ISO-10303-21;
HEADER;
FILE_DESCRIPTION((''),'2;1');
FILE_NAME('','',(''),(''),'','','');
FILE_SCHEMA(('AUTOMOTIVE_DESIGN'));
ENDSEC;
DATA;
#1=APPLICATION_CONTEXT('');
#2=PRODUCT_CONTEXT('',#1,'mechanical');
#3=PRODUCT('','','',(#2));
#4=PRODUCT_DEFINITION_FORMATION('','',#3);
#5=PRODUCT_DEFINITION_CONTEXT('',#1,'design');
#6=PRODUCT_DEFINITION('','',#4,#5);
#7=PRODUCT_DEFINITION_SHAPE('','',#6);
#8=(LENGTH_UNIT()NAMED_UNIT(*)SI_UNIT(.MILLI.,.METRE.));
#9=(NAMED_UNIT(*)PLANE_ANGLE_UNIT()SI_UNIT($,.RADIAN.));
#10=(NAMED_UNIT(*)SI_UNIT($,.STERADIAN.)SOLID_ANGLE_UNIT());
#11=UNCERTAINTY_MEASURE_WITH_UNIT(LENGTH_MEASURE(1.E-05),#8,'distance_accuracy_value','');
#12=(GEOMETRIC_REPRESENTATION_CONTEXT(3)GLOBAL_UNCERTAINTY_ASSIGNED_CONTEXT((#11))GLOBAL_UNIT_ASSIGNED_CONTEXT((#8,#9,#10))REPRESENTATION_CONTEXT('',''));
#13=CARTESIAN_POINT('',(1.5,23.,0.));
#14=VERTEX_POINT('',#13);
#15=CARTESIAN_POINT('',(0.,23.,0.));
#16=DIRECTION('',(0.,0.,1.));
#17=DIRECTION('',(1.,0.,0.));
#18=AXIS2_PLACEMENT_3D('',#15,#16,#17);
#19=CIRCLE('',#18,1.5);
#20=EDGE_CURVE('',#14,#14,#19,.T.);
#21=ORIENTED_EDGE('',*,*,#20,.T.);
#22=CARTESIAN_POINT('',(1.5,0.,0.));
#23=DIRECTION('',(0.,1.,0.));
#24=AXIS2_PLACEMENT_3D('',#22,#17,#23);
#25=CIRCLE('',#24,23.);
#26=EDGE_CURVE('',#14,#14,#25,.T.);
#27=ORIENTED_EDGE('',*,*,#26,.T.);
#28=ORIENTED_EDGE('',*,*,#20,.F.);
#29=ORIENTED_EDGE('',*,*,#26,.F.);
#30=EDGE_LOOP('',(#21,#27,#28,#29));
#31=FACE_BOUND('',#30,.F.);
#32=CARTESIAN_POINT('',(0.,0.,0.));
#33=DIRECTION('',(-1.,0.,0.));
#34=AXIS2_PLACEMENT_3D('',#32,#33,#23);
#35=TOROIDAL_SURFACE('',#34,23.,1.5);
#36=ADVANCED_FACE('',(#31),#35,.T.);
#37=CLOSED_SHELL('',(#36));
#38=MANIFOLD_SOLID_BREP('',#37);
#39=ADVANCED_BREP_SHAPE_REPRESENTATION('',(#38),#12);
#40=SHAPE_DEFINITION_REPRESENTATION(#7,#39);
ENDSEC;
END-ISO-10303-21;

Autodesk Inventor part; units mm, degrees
ref_plane "YZ Plane" through (0, 0, 0) normal (1, 0, 0) x (0, 1, 0)
ref_plane "XZ Plane" through (0, 0, 0) normal (0, 1, 0) x (-1, 0, 0)
ref_plane "XY Plane" through (0, 0, 0) normal (0, 0, 1) x (1, 0, 0)
sketch "Sketch1" plane through (0, 0, 0) normal (0, 0, 1) x (1, 0, 0)
  line L0 (0, 0) -> (0, 23) construction
  circle A0 centre (0, 23) radius 1.5
  line L1 (-15.0788, 0) -> (13.0222, 0) construction
  dimension "d0" = 23
  dimension "d1" = 3
revolve "Revolution1" add sketch "Sketch1" angle 360 about axis through (-15.0788, 0, 0) along (1, 0, 0)
properties part number "orings" material "Acetal Resin, Black"
